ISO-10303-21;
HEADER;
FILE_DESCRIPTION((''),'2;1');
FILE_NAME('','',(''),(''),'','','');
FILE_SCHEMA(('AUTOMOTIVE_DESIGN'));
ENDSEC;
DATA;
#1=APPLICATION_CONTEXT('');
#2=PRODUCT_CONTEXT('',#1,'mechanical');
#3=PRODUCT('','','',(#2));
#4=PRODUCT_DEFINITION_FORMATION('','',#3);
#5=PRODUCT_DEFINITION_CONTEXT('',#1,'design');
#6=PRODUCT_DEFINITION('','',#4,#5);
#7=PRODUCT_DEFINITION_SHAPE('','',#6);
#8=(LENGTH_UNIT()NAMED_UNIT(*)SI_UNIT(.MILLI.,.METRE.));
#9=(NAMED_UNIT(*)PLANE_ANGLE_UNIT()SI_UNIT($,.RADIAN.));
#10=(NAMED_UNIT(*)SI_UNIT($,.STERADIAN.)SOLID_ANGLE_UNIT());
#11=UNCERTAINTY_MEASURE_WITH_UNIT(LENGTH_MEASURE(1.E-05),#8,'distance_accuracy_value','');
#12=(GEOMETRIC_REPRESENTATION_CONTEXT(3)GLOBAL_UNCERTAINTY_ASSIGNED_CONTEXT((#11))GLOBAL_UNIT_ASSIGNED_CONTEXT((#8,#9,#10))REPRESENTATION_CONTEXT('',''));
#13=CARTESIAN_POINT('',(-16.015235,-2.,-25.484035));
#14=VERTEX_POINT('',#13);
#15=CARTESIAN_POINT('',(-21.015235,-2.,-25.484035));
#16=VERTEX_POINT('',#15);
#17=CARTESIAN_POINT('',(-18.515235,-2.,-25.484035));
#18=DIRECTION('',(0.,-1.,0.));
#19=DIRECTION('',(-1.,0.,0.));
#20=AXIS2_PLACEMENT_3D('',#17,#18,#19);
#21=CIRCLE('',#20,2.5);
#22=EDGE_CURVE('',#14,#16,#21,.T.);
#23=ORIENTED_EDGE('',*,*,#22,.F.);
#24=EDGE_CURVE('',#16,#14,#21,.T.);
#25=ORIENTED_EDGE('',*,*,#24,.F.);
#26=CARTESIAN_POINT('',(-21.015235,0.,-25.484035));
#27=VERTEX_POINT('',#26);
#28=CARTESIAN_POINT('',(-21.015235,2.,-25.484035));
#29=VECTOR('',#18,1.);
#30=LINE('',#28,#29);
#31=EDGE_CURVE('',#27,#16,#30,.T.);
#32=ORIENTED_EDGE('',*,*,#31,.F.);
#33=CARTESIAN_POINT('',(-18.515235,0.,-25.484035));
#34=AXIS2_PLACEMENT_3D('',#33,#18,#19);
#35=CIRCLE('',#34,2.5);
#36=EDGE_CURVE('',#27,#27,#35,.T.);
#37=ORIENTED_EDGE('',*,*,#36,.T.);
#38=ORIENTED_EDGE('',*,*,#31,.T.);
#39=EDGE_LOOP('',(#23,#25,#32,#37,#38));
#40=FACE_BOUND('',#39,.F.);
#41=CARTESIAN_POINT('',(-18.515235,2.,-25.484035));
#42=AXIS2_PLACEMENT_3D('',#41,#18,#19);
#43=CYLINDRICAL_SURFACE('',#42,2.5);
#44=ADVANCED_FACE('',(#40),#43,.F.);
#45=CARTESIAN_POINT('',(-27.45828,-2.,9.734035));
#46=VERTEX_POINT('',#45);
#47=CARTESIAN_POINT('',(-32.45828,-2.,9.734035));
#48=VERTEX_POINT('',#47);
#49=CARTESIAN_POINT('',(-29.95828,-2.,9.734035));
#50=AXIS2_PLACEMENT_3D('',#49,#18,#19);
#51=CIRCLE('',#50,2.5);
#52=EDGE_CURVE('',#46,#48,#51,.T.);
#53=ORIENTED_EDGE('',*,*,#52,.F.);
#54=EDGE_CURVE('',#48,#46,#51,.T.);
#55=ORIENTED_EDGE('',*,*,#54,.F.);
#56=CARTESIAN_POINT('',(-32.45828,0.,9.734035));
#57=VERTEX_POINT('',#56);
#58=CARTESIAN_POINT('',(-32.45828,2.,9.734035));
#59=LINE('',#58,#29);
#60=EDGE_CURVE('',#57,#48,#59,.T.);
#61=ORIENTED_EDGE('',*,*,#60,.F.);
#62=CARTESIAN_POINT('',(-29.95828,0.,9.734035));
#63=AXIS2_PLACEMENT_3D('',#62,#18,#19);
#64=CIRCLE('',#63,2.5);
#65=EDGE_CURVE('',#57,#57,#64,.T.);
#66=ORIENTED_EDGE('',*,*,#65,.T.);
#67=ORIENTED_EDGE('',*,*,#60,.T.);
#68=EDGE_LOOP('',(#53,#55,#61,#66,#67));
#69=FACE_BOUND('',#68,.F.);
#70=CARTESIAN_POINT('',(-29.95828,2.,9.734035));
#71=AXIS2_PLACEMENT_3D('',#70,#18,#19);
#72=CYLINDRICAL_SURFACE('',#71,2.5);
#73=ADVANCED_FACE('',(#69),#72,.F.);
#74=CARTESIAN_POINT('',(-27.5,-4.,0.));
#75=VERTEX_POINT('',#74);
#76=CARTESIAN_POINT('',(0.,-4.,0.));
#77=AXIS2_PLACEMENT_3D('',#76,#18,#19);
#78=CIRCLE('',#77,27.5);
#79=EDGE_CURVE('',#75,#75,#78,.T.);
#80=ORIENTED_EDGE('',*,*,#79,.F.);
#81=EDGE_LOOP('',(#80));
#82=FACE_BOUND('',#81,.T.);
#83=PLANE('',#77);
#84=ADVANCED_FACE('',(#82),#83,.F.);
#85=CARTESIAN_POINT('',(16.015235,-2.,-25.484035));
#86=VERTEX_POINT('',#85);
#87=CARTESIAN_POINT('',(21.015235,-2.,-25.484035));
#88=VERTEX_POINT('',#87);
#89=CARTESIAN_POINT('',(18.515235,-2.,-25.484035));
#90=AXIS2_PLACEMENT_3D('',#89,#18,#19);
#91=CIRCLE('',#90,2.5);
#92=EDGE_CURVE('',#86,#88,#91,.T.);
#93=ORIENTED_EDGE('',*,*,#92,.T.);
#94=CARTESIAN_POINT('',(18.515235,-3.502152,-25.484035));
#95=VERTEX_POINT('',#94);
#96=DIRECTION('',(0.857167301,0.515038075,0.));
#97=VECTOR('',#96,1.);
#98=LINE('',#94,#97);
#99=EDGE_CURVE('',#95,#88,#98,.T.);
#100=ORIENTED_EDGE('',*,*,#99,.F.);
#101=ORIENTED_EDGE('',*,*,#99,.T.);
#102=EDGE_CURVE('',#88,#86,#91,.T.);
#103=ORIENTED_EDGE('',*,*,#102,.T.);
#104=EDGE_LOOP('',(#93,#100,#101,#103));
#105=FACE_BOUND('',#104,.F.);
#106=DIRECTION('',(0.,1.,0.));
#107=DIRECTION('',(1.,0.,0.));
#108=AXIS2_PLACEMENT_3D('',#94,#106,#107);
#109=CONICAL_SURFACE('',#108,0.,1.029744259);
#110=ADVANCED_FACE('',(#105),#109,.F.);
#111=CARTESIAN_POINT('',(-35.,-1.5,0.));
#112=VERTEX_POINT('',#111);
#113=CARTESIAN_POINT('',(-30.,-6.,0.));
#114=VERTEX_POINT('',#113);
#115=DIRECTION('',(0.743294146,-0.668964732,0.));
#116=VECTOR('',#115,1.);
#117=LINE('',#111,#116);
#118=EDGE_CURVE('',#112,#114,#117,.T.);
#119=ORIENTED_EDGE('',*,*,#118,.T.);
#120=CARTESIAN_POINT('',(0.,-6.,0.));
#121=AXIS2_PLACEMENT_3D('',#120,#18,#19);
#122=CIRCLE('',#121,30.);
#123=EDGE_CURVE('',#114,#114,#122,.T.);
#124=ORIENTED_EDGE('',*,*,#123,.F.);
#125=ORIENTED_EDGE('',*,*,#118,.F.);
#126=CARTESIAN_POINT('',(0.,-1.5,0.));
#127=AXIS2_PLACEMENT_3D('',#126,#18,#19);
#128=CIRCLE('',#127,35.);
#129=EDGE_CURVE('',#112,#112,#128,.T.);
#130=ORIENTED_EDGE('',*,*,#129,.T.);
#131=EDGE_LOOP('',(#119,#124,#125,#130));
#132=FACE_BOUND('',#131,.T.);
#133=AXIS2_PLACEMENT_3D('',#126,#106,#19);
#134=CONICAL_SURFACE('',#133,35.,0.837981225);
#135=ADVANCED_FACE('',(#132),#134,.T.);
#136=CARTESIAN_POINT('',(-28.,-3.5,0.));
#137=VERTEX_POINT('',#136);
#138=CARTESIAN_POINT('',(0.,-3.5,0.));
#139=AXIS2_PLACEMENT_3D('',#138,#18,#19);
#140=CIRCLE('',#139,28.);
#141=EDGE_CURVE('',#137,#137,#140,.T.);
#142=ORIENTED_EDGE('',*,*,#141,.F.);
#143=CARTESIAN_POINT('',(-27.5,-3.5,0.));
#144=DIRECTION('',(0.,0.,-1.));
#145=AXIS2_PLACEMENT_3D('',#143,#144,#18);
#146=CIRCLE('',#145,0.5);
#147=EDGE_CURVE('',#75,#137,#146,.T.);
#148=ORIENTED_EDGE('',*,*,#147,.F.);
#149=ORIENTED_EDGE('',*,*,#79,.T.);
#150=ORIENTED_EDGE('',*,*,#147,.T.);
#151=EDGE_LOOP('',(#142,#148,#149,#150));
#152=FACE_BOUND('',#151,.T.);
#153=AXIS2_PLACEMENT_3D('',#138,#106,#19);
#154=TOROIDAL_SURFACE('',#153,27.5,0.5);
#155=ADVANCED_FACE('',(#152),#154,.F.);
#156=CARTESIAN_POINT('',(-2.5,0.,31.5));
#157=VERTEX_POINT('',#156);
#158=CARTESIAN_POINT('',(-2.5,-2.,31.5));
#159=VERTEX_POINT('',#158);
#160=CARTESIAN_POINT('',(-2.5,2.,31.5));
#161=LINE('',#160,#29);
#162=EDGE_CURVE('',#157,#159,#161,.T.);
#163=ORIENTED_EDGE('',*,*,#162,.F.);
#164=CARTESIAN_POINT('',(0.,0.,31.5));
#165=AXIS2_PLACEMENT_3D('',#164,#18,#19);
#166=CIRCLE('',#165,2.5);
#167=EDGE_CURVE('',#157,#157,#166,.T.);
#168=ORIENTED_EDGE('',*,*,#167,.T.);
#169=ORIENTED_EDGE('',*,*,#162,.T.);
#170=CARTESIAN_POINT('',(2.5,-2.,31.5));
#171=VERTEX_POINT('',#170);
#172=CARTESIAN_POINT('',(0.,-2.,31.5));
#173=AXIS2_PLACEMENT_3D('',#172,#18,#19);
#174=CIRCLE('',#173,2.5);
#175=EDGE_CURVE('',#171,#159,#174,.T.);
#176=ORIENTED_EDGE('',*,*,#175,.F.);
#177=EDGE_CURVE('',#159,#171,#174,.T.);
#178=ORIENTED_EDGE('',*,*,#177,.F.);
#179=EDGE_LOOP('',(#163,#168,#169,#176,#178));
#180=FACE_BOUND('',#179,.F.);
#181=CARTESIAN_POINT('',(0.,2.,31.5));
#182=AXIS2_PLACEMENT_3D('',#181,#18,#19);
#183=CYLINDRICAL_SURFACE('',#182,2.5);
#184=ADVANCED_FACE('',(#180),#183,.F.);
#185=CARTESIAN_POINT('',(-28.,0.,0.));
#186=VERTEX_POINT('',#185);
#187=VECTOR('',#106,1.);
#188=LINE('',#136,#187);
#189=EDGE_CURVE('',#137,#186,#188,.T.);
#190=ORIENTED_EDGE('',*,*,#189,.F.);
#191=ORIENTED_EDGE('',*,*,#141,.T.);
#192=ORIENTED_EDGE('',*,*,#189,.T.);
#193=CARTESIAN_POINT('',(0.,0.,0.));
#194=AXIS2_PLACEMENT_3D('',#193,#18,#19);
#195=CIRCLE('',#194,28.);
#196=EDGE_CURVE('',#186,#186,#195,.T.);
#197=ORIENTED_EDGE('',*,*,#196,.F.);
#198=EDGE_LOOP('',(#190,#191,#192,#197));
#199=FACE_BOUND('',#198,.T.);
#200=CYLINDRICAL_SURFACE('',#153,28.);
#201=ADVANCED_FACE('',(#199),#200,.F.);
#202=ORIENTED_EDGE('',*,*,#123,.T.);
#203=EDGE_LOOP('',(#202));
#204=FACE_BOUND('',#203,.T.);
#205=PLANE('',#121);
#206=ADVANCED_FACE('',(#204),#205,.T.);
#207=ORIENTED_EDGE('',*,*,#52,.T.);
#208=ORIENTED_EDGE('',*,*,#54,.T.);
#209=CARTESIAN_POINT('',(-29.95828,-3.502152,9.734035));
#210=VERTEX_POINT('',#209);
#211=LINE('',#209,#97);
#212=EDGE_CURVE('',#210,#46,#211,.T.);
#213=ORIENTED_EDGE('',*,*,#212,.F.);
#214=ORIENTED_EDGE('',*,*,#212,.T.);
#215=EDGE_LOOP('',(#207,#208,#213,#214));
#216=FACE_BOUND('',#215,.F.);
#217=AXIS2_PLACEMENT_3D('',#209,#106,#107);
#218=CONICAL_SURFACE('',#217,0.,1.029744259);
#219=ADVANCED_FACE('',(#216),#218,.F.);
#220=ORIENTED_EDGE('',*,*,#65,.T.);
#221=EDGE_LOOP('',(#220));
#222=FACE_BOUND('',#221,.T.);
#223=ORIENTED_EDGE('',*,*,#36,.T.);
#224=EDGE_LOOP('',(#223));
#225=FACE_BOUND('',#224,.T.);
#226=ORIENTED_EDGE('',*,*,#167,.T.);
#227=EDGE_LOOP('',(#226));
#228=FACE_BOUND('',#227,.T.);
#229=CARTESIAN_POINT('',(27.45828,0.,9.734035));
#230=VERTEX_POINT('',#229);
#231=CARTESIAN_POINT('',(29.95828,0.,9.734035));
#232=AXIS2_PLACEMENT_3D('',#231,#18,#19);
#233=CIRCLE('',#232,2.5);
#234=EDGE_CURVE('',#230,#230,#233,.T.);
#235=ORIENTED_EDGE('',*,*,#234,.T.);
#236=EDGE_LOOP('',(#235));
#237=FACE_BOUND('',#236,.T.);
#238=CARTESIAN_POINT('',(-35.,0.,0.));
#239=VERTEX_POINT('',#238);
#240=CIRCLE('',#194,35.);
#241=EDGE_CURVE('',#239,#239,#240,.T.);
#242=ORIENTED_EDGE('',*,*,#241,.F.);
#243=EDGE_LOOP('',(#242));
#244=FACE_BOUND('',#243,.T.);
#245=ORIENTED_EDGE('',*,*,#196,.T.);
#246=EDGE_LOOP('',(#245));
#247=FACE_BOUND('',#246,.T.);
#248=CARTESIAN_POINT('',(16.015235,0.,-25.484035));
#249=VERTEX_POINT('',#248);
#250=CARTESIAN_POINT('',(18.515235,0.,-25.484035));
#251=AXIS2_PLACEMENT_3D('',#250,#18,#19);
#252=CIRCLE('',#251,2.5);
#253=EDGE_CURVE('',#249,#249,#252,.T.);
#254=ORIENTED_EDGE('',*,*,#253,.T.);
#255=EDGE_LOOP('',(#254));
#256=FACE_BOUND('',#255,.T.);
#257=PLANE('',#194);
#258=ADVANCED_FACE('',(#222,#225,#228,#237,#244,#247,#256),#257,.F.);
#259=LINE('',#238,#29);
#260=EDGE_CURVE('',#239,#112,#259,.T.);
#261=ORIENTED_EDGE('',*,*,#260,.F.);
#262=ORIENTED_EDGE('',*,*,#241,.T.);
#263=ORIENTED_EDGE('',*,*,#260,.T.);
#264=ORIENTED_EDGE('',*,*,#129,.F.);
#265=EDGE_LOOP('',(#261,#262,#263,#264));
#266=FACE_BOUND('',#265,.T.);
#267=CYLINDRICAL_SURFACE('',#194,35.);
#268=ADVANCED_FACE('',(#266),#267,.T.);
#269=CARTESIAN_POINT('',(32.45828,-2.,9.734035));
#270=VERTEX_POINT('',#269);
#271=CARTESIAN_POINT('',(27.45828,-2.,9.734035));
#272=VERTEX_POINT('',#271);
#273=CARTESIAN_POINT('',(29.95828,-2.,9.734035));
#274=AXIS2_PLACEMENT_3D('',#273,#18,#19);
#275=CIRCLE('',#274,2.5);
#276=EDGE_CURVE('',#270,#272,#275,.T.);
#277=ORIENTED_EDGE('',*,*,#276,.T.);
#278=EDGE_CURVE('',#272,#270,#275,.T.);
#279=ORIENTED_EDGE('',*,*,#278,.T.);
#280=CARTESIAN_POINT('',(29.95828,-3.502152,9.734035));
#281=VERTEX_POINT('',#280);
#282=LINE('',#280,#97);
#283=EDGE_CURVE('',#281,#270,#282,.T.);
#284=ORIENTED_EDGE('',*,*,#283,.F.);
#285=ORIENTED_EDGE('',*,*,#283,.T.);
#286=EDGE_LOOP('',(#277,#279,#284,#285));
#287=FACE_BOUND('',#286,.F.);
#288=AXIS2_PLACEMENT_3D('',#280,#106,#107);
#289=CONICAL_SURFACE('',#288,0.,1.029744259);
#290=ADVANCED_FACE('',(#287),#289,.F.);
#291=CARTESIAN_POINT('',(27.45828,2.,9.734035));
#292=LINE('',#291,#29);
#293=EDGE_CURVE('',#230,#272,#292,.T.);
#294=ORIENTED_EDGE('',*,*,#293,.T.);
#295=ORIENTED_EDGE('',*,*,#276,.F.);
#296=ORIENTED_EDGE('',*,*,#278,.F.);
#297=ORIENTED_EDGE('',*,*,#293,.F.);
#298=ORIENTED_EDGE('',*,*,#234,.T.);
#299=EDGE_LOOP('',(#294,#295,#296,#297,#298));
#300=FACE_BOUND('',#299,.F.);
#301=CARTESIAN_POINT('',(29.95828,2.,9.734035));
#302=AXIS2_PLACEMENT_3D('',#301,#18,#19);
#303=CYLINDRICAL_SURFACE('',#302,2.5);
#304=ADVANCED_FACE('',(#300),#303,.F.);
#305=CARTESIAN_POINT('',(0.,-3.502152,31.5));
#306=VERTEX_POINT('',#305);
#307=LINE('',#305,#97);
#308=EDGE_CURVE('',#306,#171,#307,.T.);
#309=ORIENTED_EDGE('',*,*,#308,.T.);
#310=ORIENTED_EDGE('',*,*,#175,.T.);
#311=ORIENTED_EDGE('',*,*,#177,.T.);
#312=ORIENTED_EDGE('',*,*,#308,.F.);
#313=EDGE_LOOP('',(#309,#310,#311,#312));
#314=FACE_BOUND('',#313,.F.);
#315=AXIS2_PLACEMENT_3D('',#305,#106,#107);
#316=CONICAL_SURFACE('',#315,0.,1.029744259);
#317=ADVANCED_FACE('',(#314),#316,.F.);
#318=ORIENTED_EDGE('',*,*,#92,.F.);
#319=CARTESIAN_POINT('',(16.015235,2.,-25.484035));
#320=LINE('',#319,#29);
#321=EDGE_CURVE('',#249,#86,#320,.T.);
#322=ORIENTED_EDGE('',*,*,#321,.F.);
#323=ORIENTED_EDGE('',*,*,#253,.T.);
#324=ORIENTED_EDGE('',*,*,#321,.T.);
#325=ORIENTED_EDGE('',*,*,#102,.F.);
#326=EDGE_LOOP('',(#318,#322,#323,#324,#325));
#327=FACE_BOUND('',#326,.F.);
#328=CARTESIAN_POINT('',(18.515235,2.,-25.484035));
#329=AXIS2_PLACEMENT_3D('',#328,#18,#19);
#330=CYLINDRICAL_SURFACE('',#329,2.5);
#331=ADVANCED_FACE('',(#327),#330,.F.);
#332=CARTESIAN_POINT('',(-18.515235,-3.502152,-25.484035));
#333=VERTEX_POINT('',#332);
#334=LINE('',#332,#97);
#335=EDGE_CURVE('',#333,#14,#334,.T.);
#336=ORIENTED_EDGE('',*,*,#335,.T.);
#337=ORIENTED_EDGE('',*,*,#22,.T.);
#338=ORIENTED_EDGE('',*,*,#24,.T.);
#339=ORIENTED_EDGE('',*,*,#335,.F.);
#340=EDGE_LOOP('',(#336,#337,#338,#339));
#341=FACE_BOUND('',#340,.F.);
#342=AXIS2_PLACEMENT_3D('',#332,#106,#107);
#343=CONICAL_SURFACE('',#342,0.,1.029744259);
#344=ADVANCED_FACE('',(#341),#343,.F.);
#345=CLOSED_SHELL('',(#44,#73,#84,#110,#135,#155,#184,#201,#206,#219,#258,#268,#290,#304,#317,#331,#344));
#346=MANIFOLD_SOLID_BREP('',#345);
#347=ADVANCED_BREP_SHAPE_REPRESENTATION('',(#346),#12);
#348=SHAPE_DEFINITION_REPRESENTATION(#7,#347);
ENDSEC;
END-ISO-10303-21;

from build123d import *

# Parameters (mm, degrees)
F3_D     = 5
F3_DEPTH = 2
F3_TIP   = 1.5021515476


with BuildPart() as f1:
    # F0 (on Top) → F1 (revolve)
    with BuildSketch(Plane.XY):
        with BuildLine():
            Line((-28, 0), (-35, 0))
            Line((-35, 0), (-35, -1.5))
            Line((-35, -1.5), (-30, -6))
            Line((-30, -6), (0, -6))
            Line((0, -6), (0, -4))
            Line((0, -4), (-27.5, -4))
            ThreePointArc((-27.5, -4), (-27.8535533906, -3.8535533906), (-28, -3.5))
            Line((-28, -3.5), (-28, 0))
        make_face()
    revolve(axis=Axis((0, -2.242507413, 0), (0, -1, 0)))

    # F3
    with Locations(Plane(origin=(0, 0, 0), x_dir=(1, 0, 0), z_dir=(0, 1, 0))):
        with Locations((0, -31.5), (29.9582802633, -9.7340353228), (18.5152354472, 25.4840353228), (-18.5152354472, 25.4840353228), (-29.9582802633, -9.7340353228)):
            Hole(F3_D / 2, depth=F3_DEPTH)
            with Locations((0, 0, -(F3_DEPTH + F3_TIP / 2))):  # 118° drill point
                Cone(0, F3_D / 2, F3_TIP, mode=Mode.SUBTRACT)


solid = f1.part
